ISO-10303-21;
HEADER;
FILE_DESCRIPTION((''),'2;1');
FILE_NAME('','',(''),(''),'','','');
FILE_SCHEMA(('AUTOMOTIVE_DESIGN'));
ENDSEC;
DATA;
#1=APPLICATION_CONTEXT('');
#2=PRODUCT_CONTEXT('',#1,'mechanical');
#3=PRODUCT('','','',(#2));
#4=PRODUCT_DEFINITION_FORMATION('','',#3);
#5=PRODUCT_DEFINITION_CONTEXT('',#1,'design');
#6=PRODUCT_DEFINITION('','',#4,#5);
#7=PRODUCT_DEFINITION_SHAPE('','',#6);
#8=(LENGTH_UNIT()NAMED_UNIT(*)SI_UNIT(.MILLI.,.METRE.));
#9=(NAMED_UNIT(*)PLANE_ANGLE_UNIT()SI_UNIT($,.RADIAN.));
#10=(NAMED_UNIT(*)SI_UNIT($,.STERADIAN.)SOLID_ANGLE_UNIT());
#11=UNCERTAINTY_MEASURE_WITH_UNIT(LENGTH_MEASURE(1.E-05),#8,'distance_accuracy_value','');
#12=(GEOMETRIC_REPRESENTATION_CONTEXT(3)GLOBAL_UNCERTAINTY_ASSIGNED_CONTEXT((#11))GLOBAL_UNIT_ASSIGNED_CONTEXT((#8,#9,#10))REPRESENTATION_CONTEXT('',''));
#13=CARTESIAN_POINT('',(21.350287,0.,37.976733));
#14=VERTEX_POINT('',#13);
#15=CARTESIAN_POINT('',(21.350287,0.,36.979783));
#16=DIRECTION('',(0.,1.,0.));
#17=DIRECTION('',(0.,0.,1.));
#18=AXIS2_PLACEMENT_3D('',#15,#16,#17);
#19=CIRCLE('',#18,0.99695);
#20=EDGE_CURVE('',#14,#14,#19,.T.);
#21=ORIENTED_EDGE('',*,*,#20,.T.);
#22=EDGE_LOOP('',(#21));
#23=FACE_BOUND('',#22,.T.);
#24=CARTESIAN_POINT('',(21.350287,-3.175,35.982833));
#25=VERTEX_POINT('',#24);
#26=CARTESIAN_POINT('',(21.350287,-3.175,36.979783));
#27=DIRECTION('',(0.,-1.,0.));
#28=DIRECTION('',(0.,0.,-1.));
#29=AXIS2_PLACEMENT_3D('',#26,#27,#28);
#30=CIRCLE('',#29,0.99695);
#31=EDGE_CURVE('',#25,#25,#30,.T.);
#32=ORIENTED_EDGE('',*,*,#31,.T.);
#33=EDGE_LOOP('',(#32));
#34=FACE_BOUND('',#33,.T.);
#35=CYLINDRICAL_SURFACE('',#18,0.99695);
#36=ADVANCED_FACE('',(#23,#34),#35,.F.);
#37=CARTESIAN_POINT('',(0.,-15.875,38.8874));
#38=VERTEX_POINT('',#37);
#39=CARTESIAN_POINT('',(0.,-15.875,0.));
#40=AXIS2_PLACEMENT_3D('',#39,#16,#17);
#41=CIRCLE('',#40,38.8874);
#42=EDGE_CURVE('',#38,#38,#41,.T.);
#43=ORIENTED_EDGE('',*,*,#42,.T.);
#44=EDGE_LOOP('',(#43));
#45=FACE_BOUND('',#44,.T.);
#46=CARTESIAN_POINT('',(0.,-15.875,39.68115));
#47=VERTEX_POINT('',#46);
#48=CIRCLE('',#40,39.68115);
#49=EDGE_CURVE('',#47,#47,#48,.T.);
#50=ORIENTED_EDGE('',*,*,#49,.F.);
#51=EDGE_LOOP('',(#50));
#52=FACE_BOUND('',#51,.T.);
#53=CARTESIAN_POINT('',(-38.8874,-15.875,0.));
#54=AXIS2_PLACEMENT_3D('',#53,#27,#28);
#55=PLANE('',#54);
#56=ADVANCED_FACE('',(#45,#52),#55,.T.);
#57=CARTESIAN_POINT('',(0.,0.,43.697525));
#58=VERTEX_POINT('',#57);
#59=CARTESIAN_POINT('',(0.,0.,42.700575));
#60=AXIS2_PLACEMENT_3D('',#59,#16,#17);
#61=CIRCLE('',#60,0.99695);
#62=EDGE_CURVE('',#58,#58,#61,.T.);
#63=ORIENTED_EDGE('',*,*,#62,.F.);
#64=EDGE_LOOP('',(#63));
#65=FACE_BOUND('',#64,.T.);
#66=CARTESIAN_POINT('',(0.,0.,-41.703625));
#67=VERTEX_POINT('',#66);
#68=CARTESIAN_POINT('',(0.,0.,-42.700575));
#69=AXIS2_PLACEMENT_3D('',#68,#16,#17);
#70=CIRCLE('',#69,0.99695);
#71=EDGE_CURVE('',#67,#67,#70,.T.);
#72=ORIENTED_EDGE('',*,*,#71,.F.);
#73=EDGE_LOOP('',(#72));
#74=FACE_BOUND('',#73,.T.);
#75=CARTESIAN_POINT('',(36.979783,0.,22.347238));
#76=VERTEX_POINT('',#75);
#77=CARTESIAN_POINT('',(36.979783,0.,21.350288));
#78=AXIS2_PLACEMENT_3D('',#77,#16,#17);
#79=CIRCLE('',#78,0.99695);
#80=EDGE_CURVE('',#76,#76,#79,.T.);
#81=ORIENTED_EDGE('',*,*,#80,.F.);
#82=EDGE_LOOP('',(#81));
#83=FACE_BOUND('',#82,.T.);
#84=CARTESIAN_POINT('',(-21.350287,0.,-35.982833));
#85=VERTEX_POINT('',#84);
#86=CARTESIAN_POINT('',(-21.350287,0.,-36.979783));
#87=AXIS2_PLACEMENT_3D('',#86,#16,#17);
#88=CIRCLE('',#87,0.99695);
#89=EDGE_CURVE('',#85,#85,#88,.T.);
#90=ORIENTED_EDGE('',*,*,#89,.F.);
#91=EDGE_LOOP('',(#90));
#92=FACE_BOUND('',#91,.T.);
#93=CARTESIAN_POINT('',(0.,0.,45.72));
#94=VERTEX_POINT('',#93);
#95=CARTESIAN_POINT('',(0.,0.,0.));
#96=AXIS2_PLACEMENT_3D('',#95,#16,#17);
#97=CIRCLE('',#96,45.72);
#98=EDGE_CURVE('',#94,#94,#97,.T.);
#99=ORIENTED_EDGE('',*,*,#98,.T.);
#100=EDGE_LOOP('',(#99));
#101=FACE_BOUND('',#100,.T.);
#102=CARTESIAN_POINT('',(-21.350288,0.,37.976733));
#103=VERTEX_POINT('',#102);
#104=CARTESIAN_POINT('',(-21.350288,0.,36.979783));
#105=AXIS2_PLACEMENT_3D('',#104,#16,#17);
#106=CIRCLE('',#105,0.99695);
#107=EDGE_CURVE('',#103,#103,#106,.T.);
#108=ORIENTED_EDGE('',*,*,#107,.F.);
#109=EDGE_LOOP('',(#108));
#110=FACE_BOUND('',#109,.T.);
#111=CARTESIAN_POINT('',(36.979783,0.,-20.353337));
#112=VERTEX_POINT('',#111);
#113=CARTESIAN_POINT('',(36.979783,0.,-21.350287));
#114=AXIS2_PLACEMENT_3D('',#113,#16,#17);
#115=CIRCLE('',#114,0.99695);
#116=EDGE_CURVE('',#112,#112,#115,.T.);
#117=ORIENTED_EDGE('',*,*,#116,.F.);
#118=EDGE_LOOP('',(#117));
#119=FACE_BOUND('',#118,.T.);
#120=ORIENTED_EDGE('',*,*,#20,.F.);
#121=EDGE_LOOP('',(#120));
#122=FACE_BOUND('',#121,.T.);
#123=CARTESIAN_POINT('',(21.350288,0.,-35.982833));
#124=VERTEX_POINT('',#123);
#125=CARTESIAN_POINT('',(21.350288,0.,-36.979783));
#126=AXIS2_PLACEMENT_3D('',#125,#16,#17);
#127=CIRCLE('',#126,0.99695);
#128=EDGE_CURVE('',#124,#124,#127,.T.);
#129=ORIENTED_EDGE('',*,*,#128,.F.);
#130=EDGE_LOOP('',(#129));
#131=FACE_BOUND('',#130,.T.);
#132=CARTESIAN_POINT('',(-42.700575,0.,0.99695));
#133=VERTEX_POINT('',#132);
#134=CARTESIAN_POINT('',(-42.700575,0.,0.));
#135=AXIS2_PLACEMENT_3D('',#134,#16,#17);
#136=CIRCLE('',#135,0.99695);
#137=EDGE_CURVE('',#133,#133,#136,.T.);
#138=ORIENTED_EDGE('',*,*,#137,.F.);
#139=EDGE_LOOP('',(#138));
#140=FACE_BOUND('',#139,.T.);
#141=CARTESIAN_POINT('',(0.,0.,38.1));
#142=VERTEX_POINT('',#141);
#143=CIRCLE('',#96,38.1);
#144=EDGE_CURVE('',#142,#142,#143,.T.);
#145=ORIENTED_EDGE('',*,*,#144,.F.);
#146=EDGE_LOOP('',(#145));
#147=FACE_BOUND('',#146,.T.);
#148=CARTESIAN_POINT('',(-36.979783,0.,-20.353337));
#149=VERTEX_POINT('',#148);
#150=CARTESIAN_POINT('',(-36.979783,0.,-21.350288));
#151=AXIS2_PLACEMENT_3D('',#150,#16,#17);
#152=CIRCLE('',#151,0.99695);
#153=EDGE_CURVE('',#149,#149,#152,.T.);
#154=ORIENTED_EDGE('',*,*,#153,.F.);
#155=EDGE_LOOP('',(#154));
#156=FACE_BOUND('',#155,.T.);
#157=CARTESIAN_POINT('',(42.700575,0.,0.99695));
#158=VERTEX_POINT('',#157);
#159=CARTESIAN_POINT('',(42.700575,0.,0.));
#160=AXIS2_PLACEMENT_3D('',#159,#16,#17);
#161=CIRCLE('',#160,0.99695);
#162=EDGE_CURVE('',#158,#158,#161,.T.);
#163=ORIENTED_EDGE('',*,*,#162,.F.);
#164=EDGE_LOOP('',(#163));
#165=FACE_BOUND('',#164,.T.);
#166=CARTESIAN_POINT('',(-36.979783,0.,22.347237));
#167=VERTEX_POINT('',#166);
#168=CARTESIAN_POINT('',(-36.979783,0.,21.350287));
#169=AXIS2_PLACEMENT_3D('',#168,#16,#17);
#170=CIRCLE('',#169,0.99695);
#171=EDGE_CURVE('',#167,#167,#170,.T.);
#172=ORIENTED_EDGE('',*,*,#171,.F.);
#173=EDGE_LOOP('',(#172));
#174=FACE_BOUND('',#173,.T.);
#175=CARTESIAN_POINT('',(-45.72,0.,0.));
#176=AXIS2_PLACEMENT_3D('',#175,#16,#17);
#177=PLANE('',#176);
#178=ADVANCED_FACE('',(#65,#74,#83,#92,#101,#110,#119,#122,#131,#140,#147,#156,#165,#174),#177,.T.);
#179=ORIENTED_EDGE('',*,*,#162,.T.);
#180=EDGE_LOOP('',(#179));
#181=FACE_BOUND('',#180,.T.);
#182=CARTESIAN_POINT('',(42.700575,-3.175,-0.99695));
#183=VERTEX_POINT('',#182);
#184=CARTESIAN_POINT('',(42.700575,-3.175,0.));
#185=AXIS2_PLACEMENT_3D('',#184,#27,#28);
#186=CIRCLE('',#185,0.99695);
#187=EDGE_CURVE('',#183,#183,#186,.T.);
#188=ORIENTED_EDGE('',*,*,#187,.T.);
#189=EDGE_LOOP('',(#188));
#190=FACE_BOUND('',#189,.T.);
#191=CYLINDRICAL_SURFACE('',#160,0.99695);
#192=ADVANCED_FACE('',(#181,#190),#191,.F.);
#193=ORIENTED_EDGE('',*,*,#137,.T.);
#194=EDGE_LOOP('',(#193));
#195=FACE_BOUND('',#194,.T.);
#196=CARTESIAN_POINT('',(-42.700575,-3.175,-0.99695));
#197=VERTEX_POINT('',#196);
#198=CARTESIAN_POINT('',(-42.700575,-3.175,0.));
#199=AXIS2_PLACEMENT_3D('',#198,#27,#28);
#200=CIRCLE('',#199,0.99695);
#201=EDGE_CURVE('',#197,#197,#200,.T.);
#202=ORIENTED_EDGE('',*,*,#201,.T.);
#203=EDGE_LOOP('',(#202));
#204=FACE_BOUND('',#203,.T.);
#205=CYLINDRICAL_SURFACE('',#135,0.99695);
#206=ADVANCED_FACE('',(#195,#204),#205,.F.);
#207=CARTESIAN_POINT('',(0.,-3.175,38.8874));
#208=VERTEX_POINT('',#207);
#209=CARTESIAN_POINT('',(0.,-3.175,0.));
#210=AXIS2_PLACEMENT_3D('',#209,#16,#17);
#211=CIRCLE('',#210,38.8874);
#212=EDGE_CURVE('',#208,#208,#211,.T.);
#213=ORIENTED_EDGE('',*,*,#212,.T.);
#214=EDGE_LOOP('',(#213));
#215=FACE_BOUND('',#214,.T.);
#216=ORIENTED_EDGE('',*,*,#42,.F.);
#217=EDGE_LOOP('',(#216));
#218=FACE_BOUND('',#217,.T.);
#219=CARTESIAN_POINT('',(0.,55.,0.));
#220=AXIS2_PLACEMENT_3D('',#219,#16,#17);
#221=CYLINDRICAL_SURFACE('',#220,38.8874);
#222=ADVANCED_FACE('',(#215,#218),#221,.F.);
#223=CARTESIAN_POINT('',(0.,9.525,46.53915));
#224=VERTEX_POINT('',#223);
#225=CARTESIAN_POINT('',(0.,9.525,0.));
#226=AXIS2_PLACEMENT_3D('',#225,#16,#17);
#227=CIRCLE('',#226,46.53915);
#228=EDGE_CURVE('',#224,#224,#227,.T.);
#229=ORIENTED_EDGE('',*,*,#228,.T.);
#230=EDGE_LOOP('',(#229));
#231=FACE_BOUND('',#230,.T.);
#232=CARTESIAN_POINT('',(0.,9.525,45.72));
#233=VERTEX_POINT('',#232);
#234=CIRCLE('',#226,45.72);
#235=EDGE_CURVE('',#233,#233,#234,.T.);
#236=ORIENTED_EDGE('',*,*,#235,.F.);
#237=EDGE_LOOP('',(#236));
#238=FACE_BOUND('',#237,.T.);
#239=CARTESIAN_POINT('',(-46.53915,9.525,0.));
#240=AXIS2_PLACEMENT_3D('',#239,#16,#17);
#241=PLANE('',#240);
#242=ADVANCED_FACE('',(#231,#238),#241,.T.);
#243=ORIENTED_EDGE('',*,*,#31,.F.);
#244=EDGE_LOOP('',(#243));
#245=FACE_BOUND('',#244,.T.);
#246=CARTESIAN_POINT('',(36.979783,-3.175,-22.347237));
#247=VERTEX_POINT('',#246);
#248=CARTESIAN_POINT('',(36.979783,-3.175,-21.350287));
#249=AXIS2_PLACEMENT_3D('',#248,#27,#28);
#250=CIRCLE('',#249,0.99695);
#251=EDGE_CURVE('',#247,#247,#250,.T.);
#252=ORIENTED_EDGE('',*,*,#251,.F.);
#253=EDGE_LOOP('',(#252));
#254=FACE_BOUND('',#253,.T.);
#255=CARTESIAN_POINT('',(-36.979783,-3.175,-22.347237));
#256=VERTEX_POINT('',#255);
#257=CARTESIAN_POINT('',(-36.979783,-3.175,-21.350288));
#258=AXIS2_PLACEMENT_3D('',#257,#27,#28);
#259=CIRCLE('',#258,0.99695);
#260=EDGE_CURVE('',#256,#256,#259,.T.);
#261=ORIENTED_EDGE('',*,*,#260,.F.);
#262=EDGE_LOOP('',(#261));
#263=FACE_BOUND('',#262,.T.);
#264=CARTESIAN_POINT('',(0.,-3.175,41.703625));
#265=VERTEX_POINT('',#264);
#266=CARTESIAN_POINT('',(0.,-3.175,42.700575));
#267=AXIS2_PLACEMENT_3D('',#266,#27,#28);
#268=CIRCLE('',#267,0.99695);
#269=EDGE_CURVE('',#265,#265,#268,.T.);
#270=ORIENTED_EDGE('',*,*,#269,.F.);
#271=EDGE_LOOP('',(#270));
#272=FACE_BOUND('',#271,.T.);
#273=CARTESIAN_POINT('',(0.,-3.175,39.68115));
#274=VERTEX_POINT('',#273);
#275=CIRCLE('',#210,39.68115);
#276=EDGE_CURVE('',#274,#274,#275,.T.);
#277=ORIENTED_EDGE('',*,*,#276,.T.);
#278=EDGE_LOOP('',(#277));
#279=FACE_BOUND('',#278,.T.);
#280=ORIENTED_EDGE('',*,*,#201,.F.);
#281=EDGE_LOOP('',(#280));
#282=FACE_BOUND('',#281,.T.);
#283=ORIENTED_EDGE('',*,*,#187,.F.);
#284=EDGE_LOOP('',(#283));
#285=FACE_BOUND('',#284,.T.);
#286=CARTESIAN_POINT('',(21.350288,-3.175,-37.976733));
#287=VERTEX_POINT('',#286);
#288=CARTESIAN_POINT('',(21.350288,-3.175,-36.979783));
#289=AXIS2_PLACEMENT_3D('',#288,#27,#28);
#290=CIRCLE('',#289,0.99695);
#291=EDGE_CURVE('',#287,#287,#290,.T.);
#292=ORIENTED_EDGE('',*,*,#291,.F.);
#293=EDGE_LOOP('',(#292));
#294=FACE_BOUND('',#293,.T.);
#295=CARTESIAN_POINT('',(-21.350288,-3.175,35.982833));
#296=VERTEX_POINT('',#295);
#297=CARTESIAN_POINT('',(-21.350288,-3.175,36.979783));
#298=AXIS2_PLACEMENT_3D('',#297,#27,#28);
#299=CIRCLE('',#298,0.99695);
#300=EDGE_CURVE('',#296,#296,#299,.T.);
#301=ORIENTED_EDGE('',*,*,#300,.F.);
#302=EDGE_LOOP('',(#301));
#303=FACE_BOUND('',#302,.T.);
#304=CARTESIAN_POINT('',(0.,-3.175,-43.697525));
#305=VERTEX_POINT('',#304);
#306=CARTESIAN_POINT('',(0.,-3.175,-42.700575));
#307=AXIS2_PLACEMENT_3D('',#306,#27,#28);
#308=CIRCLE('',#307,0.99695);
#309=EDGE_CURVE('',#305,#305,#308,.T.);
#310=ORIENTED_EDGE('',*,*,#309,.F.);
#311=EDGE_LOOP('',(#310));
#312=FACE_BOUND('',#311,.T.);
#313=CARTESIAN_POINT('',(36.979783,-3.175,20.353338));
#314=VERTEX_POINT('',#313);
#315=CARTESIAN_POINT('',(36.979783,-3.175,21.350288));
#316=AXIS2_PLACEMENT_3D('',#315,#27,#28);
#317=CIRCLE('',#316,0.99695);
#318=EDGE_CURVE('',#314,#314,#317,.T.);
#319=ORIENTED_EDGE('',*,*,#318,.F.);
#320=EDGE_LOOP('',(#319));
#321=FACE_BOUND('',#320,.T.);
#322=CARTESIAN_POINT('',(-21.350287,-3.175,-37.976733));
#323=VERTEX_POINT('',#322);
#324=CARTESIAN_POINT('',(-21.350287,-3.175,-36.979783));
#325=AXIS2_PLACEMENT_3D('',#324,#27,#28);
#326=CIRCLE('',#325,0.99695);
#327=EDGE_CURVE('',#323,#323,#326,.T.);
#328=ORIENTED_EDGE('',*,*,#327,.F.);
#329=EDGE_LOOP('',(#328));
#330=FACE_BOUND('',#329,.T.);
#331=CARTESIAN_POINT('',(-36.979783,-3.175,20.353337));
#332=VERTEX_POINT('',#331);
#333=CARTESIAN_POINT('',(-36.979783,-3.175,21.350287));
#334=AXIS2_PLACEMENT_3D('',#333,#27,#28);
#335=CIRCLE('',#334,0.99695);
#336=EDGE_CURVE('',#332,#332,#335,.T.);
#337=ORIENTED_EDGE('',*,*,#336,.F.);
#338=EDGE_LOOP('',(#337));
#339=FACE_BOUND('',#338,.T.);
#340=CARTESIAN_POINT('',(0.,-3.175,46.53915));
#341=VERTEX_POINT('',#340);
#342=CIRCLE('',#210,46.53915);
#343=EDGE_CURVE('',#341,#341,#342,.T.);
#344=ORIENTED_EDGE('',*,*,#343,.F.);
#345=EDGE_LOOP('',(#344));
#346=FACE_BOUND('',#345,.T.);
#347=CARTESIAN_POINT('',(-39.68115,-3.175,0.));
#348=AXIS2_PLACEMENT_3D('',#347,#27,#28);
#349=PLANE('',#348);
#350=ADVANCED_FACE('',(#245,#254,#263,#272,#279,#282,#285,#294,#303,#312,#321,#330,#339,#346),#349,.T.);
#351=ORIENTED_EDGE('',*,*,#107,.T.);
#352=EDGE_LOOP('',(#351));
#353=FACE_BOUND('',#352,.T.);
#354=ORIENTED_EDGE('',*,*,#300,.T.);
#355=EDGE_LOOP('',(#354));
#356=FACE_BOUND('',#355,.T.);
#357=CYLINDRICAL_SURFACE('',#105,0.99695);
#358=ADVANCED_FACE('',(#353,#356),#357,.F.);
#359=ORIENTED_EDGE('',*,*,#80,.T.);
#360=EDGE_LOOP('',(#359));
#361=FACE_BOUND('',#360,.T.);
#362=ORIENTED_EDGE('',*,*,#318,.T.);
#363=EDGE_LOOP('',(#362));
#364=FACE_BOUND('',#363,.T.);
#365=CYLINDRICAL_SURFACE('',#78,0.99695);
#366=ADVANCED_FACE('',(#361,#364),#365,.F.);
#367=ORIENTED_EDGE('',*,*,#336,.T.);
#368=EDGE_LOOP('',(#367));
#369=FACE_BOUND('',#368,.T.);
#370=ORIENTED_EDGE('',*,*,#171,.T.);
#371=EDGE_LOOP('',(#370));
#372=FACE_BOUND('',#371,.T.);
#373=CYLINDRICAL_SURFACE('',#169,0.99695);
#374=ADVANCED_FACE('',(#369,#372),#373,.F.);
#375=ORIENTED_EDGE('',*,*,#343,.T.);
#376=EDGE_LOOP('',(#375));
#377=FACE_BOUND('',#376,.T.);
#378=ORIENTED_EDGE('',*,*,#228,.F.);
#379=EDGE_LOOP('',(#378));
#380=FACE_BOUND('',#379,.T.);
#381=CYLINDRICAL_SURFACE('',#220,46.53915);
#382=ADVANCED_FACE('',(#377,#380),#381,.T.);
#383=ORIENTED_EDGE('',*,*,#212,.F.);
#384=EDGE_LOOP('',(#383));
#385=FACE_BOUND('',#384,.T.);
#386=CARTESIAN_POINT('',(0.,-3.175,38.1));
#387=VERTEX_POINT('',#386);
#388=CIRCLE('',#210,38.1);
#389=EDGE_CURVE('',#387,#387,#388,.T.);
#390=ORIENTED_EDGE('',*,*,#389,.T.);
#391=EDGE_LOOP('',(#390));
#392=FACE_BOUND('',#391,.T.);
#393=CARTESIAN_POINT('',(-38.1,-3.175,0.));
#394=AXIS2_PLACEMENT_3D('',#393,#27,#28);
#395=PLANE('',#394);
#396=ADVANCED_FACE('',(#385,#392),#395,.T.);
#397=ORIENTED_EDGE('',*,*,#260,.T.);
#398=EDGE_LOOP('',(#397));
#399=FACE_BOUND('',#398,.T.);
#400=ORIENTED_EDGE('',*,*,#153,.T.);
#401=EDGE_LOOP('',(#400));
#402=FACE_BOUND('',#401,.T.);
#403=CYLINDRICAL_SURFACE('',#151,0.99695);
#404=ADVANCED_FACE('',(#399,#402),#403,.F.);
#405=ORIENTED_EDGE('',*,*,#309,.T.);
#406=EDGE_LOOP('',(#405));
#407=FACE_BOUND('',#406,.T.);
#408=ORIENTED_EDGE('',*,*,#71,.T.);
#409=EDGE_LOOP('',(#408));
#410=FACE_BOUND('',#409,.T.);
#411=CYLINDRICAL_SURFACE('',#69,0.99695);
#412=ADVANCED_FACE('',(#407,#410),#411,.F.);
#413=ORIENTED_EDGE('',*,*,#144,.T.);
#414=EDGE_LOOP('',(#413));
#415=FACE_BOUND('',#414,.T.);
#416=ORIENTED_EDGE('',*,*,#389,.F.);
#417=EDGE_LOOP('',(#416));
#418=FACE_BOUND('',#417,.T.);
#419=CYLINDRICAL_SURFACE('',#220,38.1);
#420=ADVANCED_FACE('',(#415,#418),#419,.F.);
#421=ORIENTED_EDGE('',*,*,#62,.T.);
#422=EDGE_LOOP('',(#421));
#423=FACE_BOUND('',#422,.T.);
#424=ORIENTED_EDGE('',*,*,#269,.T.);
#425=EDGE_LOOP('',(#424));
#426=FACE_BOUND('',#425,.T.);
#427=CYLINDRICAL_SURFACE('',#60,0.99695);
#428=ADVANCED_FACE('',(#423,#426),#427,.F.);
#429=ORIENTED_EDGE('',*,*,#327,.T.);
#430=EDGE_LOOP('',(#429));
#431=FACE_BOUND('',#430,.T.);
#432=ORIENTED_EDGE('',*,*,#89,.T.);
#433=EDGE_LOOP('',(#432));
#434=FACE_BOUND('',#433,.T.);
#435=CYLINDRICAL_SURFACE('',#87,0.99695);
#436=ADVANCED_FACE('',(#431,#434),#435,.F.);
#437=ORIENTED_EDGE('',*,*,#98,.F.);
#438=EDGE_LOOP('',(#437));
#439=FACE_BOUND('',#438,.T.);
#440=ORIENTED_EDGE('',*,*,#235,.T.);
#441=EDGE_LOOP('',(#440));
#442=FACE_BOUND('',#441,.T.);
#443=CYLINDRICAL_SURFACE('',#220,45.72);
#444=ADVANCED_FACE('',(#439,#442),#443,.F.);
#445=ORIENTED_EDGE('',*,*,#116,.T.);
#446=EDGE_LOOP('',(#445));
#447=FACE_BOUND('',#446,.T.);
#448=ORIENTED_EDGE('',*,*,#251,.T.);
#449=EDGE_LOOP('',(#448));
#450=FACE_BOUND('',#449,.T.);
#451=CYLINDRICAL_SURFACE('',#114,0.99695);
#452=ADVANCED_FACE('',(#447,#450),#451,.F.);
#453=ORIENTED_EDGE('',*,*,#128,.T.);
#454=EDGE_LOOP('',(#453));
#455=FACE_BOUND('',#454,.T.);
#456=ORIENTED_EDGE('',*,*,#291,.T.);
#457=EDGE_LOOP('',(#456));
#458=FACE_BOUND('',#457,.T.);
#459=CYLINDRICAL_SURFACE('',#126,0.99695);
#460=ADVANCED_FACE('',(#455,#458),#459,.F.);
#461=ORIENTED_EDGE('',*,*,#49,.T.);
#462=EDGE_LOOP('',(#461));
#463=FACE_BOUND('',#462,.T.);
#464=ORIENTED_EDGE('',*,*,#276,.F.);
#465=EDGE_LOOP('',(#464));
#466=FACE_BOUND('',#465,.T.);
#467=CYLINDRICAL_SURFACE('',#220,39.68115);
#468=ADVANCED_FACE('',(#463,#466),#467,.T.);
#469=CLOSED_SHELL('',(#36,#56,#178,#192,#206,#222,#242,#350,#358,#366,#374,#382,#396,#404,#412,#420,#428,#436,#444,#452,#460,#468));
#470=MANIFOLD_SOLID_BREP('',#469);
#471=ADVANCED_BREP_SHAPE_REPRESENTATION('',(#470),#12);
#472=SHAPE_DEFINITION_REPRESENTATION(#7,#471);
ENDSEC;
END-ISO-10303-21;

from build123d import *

# Parameters (mm, degrees)
SCREW_HOLES_COUNT = 12


with BuildPart() as part:
    # Cross Section → Main (revolve)
    with BuildSketch(Plane.XY):
        Polygon((-38.1, 0), (-38.1, -3.175), (-38.8874, -3.175), (-38.8874, -15.875), (-39.68115, -15.875), (-39.68115, -3.175), (-46.53915, -3.175), (-46.53915, 9.525), (-45.72, 9.525), (-45.72, 0), align=None)
    revolve(axis=Axis((0, 55, 0), (0, -1, 0)))

    # Sketch7 → #3-48 Tapped Hole1 (revolve, cut)
    with BuildSketch(Plane(origin=(-42.700575, 0, 0), x_dir=(0, 0, 1), z_dir=(1, 0, 0))):
        Polygon((0, 0), (0, 3.901027994), (0.99695, 3.302), (0.99695, 0), align=None)
    f_3_48_tapped_hole1 = revolve(axis=Axis((-42.700575, 6.35, 0), (0, -1, 0)), mode=Mode.SUBTRACT)

    # Screw Holes: #3-48 Tapped Hole1 ×12 about axis
    screw_holes_axis = Axis((0, 0, 0), (0, 1, 0))
    for i in range(1, SCREW_HOLES_COUNT):
        add(f_3_48_tapped_hole1.rotate(screw_holes_axis, i * 360 / SCREW_HOLES_COUNT), mode=Mode.SUBTRACT)


solid = part.part
